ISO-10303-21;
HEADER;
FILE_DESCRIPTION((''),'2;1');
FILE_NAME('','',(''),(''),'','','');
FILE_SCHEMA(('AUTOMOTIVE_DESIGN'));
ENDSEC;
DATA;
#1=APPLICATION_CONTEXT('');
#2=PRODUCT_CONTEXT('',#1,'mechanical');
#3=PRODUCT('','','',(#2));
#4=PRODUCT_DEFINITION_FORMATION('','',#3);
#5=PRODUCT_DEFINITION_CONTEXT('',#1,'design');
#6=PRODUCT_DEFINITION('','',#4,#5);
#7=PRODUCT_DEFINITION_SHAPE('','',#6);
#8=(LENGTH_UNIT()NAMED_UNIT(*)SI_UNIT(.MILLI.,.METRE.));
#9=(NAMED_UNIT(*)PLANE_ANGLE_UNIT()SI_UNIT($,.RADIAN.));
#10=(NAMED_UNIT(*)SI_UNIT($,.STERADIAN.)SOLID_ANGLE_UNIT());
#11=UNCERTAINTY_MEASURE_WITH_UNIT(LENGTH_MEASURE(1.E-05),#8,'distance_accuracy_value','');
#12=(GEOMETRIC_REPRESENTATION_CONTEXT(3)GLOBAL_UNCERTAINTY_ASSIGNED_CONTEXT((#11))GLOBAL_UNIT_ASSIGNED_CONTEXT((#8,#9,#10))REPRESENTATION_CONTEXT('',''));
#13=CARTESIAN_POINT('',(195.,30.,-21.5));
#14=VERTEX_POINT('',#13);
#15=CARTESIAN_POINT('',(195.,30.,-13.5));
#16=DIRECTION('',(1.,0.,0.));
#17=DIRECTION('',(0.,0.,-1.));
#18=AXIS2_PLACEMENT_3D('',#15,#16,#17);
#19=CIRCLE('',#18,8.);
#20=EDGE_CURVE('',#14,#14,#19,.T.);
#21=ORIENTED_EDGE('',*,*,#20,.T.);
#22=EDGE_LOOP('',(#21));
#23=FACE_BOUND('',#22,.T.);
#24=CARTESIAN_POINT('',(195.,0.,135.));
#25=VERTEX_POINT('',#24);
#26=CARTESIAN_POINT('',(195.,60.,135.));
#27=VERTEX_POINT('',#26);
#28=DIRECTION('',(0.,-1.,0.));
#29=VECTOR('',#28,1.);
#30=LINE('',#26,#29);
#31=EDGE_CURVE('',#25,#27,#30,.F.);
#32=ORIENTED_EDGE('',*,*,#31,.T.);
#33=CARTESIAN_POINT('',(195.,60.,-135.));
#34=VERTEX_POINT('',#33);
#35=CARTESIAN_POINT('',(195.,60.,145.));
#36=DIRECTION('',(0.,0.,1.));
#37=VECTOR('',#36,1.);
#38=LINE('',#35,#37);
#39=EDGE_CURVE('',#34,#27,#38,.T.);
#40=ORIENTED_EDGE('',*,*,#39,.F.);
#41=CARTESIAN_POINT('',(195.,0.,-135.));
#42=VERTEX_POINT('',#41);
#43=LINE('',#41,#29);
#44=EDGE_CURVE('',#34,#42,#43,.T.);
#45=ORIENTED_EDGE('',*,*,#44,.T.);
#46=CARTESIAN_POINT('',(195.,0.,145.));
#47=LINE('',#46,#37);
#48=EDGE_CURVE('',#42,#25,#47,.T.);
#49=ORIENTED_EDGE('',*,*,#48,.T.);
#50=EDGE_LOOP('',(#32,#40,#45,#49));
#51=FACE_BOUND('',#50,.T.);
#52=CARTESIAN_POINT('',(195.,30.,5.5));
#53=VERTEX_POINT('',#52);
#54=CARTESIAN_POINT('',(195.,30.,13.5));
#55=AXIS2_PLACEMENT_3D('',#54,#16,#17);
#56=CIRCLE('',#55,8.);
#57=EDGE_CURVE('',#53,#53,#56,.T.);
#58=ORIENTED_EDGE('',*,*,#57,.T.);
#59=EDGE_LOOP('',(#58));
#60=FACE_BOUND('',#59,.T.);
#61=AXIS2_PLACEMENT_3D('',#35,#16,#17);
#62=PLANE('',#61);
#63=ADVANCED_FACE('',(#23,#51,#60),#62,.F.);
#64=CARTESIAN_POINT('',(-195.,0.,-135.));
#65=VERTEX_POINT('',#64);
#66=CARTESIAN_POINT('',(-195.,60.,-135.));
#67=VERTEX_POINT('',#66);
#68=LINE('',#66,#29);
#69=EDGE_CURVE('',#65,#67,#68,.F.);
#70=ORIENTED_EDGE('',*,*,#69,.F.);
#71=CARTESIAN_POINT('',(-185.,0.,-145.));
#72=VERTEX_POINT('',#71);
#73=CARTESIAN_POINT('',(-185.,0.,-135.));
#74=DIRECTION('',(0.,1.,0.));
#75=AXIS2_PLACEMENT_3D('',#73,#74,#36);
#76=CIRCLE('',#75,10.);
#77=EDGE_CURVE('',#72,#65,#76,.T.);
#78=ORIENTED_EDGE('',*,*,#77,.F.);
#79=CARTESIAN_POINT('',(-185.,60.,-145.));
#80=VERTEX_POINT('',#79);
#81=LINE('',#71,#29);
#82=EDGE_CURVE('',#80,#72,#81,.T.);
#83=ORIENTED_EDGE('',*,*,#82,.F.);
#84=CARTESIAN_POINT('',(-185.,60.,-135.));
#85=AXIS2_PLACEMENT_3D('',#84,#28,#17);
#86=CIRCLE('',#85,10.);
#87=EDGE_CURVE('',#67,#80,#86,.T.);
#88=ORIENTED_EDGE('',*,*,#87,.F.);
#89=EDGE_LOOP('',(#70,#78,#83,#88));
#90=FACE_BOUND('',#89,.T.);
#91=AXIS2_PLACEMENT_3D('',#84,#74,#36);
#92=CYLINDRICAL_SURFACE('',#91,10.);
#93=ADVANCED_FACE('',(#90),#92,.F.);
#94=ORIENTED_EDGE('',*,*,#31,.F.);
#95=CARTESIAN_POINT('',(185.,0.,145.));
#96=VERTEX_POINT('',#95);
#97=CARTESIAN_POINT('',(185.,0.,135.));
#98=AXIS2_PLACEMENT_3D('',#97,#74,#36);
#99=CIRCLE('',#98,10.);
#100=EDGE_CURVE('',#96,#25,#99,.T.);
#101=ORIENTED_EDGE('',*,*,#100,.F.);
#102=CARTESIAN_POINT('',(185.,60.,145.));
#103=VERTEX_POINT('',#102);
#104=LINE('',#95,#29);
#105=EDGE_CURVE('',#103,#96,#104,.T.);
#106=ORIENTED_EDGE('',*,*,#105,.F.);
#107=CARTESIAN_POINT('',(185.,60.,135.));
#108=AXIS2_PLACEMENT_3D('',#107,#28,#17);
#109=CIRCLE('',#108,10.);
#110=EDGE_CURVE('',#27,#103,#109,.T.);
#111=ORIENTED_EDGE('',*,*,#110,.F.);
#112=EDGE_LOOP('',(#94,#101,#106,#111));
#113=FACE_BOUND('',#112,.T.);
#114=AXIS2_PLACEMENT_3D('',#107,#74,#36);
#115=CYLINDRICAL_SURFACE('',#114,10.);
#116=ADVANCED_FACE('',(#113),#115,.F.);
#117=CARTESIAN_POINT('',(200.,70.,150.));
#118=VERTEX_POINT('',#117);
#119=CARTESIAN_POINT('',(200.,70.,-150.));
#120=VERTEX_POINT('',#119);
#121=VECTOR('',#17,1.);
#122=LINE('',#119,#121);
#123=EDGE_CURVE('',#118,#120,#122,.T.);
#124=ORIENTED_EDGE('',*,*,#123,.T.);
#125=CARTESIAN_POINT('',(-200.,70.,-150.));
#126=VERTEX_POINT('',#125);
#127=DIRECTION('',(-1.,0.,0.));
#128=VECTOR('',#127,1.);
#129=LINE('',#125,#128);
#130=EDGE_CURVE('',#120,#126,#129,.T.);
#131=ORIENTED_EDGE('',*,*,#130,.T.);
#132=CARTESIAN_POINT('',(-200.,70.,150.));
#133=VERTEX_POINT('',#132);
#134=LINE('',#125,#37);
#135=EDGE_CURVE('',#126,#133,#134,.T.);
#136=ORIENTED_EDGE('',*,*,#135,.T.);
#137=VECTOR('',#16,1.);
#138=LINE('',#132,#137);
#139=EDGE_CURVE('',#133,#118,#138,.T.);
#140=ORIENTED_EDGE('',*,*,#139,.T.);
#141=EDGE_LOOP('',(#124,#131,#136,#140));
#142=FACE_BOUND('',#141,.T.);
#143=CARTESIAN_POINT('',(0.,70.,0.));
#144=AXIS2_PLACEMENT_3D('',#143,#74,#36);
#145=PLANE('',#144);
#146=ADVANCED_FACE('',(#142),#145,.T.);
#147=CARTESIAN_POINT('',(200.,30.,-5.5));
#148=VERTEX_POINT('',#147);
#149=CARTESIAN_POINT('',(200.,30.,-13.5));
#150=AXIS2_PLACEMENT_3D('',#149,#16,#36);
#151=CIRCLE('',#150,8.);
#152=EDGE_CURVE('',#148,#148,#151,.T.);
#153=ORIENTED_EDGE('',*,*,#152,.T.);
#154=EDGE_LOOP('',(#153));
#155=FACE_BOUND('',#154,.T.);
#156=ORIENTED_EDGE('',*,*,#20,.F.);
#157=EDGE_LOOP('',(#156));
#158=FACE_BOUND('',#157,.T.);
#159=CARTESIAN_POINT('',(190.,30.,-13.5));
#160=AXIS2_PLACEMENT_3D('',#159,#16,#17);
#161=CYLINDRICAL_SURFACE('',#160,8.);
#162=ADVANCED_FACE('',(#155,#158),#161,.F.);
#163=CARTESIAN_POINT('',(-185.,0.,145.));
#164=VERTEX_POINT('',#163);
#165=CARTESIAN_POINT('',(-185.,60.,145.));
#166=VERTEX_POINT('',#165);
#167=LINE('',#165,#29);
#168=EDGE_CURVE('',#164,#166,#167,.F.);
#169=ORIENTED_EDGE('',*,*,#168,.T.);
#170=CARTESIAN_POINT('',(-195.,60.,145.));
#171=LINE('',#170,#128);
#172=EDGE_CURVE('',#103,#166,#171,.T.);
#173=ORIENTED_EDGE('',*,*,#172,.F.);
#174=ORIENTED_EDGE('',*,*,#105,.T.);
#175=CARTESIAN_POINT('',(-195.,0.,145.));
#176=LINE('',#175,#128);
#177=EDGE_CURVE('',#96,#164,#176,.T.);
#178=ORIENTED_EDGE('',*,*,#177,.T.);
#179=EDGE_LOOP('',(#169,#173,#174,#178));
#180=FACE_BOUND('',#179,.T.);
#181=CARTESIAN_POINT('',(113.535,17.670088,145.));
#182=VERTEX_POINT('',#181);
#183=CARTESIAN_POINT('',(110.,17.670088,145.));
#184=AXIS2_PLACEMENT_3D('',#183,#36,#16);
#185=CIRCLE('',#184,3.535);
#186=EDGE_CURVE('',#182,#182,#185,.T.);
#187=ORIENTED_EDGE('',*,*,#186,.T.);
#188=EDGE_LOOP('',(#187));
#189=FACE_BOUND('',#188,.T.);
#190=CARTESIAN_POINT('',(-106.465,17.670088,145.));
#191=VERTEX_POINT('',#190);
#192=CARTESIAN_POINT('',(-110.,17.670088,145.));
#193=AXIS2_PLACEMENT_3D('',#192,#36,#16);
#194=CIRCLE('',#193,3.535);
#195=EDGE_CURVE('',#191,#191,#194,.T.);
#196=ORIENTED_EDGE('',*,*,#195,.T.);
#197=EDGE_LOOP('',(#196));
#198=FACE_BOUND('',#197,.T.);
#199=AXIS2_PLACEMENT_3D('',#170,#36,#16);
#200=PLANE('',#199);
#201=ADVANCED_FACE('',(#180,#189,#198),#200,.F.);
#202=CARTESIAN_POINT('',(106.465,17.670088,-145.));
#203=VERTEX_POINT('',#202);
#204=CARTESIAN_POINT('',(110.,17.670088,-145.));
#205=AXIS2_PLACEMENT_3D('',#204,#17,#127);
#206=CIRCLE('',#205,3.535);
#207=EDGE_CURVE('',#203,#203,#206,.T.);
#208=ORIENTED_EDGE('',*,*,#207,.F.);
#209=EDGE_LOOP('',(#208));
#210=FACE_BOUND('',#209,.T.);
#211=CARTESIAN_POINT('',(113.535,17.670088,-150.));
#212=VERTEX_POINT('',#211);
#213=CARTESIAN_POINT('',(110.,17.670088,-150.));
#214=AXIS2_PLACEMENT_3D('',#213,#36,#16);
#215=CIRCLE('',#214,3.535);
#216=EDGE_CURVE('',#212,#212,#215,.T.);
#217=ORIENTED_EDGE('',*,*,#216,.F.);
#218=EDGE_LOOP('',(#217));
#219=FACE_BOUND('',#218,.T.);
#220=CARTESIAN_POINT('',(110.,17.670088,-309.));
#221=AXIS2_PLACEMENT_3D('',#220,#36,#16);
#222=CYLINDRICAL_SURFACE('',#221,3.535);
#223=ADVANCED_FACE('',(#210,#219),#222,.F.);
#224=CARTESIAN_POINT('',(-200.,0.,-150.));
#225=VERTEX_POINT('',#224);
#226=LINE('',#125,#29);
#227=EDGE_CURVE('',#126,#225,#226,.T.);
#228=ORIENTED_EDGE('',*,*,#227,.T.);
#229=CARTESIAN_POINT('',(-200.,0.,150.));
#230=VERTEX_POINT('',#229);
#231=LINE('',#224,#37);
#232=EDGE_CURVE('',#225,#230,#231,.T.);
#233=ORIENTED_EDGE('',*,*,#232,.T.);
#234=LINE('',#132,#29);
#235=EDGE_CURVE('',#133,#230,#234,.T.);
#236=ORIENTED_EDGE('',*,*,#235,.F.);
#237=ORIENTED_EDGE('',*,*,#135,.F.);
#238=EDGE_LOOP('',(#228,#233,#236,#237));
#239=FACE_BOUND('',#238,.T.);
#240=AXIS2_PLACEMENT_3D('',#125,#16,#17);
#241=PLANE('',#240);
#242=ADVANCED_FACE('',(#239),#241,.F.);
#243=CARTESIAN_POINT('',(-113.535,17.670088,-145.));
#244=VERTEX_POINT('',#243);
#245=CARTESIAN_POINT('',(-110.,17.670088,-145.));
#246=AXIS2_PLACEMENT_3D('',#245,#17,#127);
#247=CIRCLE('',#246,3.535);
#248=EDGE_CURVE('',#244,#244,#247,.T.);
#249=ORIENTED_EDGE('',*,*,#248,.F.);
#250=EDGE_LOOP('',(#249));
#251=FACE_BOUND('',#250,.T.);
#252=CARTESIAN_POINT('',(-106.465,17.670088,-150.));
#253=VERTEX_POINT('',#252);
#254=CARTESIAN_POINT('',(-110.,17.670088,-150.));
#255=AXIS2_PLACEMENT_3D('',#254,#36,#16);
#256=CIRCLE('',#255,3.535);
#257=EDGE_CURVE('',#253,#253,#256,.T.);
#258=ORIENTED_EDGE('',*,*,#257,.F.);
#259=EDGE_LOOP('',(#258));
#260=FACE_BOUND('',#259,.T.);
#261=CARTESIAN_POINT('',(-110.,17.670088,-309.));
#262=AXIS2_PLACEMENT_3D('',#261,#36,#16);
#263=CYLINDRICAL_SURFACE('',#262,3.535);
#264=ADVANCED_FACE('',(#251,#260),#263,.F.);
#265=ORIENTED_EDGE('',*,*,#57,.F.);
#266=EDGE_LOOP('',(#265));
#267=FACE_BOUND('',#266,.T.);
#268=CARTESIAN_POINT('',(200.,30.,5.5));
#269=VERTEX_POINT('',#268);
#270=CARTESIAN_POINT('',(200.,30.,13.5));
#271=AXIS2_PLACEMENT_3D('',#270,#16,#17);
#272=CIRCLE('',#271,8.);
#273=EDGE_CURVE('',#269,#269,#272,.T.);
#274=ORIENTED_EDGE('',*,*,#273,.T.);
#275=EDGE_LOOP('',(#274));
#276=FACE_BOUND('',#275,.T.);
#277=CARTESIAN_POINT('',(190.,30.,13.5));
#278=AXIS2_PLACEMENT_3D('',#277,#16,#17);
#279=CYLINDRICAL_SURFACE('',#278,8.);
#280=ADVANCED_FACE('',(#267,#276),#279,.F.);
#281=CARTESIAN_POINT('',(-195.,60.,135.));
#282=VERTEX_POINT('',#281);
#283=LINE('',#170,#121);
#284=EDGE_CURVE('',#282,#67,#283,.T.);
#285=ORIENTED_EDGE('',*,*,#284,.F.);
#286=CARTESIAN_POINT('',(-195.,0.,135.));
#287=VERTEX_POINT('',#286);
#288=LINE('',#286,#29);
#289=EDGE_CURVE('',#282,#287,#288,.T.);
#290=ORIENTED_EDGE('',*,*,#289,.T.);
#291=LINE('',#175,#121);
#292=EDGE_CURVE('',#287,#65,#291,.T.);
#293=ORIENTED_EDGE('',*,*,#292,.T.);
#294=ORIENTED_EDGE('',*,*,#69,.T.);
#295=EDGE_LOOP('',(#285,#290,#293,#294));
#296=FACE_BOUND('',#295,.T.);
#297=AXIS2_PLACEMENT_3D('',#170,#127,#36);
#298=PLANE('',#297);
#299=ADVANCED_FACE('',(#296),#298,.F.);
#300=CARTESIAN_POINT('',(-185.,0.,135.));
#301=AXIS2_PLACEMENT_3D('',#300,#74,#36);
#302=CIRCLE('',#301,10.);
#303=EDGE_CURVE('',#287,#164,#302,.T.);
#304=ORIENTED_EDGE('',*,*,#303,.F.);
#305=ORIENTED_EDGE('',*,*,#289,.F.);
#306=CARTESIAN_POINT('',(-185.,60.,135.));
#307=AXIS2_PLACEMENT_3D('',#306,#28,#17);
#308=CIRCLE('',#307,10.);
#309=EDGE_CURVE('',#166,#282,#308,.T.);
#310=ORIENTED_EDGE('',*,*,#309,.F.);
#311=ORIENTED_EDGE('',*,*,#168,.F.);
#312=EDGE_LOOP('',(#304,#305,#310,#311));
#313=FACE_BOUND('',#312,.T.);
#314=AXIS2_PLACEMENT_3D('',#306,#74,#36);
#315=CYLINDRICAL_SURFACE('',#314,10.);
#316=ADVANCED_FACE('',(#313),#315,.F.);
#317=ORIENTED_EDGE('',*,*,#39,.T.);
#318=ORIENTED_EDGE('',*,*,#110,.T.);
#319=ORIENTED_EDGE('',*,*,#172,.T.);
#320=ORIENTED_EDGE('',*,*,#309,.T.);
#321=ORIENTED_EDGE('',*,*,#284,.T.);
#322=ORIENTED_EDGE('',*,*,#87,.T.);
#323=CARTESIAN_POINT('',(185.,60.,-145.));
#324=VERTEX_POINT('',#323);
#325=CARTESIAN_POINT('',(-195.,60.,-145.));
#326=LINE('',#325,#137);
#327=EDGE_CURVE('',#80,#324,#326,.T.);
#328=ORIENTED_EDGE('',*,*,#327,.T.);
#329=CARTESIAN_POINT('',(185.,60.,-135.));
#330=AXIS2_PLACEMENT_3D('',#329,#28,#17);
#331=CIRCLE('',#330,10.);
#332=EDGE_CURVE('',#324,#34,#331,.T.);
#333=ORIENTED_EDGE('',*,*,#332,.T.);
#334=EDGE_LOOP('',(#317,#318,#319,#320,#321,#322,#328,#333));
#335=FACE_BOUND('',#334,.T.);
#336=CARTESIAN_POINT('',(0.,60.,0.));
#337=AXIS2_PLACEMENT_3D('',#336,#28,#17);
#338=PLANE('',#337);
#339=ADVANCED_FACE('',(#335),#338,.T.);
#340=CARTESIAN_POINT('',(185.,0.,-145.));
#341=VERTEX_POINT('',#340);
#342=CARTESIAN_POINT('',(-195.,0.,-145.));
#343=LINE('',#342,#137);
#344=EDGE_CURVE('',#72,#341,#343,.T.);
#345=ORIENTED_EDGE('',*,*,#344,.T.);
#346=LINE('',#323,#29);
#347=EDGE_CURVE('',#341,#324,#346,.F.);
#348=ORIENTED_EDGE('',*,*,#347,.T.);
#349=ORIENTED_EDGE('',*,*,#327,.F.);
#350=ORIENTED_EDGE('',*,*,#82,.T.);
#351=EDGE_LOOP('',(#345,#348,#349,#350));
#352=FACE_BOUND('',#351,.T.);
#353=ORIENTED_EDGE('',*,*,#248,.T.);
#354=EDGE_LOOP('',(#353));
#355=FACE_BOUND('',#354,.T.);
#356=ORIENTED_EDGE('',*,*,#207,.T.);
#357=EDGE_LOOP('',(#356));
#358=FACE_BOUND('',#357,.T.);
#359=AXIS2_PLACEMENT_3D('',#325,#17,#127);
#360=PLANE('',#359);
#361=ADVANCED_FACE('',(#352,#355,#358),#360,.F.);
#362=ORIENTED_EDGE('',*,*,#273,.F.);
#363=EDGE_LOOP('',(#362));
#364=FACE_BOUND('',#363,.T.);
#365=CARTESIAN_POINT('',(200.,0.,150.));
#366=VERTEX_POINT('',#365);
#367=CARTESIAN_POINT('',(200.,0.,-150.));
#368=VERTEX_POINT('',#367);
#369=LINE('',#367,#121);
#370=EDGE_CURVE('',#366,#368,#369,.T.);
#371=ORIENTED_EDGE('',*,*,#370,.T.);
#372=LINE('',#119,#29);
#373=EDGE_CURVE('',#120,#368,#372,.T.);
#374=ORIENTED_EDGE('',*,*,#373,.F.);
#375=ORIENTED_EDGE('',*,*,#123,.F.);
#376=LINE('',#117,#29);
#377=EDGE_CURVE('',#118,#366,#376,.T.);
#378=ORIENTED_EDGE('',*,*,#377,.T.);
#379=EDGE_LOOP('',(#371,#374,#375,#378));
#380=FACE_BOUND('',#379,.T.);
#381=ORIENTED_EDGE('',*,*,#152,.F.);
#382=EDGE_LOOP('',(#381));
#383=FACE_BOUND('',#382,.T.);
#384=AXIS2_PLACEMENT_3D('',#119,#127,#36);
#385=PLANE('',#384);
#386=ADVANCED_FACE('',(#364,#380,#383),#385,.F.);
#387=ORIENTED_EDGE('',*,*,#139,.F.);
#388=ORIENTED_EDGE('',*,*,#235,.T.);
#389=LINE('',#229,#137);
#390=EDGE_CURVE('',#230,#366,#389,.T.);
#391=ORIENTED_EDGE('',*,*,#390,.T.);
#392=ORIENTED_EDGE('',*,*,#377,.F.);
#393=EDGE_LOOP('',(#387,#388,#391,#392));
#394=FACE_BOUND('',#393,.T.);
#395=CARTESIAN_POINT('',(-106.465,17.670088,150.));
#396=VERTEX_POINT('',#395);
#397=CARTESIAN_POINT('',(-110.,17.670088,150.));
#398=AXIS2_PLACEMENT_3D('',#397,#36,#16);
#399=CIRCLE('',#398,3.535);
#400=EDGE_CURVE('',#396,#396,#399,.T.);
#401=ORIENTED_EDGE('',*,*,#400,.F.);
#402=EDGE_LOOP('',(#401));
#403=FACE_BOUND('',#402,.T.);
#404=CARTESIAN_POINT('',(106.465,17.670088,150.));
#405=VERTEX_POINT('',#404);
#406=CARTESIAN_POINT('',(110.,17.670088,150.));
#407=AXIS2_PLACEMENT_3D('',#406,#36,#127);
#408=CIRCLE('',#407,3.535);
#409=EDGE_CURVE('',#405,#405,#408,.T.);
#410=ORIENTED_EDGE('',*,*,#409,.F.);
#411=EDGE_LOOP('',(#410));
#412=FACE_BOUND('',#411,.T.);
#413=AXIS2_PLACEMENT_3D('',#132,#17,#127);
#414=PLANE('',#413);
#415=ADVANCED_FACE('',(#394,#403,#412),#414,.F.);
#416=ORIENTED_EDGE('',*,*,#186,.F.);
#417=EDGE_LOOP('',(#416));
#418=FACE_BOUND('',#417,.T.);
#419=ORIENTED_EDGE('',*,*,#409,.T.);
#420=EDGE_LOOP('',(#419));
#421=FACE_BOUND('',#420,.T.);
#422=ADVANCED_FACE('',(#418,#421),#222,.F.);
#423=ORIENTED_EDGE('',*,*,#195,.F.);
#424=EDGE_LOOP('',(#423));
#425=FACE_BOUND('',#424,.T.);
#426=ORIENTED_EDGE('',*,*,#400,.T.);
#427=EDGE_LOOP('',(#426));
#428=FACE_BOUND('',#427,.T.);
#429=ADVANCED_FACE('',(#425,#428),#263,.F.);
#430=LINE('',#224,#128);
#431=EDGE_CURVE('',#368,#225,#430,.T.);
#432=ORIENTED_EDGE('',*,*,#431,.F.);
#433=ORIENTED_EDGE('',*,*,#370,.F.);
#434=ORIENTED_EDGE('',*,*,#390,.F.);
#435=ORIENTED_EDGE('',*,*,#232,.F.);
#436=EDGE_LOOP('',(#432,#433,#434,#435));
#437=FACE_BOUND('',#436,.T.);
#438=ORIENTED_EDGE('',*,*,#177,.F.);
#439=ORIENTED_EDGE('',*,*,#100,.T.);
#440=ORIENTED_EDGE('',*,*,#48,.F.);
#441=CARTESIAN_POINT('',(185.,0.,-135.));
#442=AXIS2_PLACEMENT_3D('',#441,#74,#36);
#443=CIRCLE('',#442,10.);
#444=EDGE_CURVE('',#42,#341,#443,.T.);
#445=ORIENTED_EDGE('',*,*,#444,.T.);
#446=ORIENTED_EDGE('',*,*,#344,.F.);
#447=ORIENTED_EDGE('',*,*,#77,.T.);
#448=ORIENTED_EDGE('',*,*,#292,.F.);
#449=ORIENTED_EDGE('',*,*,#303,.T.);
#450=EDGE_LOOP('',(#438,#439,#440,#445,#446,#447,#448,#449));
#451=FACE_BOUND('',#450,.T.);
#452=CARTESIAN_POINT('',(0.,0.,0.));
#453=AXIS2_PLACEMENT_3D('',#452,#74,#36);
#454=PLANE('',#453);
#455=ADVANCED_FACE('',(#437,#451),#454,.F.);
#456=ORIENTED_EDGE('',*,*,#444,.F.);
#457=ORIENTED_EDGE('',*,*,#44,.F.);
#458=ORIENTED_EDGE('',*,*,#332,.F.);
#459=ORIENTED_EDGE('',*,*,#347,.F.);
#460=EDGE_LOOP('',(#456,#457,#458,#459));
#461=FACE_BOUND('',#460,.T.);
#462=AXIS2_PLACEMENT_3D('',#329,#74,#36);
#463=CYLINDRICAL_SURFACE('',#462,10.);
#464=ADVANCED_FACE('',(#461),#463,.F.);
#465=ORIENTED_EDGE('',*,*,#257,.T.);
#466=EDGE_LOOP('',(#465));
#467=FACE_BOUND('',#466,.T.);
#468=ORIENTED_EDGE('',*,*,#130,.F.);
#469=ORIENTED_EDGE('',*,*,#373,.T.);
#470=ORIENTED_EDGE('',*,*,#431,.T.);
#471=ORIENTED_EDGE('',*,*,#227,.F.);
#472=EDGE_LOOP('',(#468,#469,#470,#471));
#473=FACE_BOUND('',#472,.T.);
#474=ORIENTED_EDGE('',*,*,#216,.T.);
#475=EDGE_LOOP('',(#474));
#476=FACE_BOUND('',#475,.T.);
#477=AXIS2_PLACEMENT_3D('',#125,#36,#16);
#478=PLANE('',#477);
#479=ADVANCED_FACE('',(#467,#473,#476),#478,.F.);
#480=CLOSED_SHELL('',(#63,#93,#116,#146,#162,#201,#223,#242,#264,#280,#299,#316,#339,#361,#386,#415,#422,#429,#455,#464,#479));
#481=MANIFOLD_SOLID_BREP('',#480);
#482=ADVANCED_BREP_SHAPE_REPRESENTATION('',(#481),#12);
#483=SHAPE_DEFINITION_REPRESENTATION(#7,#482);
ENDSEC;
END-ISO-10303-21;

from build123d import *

# Parameters (mm, degrees)
SKETCH1_W           = 400
SKETCH1_H           = 300
BOSS_EXTRUDE1_DEPTH = 70
SKETCH2_W           = 390
SKETCH2_H           = 290
CUT_EXTRUDE1_DEPTH  = 60
FILLET2_R           = 10
SKETCH6_R           = 8
CUT_EXTRUDE3_DEPTH  = 10
SKETCH7_R           = 3.535
CUT_EXTRUDE4_DEPTH  = 459


with BuildPart() as part:
    # Sketch1 → Boss-Extrude1 (new body)
    with BuildSketch(Plane(origin=(0, 0, 0), x_dir=(1, 0, 0), z_dir=(0, 1, 0))):
        Rectangle(SKETCH1_W, SKETCH1_H)
    extrude(amount=BOSS_EXTRUDE1_DEPTH)

    # Sketch2 → Cut-Extrude1 (cut)
    with BuildSketch(Plane.XZ):
        Rectangle(SKETCH2_W, SKETCH2_H)
    extrude(amount=-CUT_EXTRUDE1_DEPTH, mode=Mode.SUBTRACT)

    # Fillet2
    fillet2_edges = [part.edges().sort_by_distance(p)[0] for p in [
        (195, 30, 145),
        (195, 30, -145),
        (-195, 30, -145),
        (-195, 30, 145),
    ]]
    fillet(fillet2_edges, radius=FILLET2_R)

    # Sketch6 → Cut-Extrude3 (cut)
    with BuildSketch(Plane(origin=(200, 0, 0), x_dir=(0, 0, -1), z_dir=(1, 0, 0))):
        with Locations((-13.5, 30)):
            Circle(SKETCH6_R)
        with Locations((13.5, 30)):
            Circle(SKETCH6_R)
    extrude(amount=-CUT_EXTRUDE3_DEPTH, mode=Mode.SUBTRACT)

    # Sketch7 → Cut-Extrude4 (cut)
    with BuildSketch(Plane.XY.offset(150)):
        with Locations((-110, 17.670088152)):
            Circle(SKETCH7_R)
        with Locations((110, 17.670088152)):
            Circle(SKETCH7_R)
    extrude(amount=-CUT_EXTRUDE4_DEPTH, mode=Mode.SUBTRACT)


solid = part.part
